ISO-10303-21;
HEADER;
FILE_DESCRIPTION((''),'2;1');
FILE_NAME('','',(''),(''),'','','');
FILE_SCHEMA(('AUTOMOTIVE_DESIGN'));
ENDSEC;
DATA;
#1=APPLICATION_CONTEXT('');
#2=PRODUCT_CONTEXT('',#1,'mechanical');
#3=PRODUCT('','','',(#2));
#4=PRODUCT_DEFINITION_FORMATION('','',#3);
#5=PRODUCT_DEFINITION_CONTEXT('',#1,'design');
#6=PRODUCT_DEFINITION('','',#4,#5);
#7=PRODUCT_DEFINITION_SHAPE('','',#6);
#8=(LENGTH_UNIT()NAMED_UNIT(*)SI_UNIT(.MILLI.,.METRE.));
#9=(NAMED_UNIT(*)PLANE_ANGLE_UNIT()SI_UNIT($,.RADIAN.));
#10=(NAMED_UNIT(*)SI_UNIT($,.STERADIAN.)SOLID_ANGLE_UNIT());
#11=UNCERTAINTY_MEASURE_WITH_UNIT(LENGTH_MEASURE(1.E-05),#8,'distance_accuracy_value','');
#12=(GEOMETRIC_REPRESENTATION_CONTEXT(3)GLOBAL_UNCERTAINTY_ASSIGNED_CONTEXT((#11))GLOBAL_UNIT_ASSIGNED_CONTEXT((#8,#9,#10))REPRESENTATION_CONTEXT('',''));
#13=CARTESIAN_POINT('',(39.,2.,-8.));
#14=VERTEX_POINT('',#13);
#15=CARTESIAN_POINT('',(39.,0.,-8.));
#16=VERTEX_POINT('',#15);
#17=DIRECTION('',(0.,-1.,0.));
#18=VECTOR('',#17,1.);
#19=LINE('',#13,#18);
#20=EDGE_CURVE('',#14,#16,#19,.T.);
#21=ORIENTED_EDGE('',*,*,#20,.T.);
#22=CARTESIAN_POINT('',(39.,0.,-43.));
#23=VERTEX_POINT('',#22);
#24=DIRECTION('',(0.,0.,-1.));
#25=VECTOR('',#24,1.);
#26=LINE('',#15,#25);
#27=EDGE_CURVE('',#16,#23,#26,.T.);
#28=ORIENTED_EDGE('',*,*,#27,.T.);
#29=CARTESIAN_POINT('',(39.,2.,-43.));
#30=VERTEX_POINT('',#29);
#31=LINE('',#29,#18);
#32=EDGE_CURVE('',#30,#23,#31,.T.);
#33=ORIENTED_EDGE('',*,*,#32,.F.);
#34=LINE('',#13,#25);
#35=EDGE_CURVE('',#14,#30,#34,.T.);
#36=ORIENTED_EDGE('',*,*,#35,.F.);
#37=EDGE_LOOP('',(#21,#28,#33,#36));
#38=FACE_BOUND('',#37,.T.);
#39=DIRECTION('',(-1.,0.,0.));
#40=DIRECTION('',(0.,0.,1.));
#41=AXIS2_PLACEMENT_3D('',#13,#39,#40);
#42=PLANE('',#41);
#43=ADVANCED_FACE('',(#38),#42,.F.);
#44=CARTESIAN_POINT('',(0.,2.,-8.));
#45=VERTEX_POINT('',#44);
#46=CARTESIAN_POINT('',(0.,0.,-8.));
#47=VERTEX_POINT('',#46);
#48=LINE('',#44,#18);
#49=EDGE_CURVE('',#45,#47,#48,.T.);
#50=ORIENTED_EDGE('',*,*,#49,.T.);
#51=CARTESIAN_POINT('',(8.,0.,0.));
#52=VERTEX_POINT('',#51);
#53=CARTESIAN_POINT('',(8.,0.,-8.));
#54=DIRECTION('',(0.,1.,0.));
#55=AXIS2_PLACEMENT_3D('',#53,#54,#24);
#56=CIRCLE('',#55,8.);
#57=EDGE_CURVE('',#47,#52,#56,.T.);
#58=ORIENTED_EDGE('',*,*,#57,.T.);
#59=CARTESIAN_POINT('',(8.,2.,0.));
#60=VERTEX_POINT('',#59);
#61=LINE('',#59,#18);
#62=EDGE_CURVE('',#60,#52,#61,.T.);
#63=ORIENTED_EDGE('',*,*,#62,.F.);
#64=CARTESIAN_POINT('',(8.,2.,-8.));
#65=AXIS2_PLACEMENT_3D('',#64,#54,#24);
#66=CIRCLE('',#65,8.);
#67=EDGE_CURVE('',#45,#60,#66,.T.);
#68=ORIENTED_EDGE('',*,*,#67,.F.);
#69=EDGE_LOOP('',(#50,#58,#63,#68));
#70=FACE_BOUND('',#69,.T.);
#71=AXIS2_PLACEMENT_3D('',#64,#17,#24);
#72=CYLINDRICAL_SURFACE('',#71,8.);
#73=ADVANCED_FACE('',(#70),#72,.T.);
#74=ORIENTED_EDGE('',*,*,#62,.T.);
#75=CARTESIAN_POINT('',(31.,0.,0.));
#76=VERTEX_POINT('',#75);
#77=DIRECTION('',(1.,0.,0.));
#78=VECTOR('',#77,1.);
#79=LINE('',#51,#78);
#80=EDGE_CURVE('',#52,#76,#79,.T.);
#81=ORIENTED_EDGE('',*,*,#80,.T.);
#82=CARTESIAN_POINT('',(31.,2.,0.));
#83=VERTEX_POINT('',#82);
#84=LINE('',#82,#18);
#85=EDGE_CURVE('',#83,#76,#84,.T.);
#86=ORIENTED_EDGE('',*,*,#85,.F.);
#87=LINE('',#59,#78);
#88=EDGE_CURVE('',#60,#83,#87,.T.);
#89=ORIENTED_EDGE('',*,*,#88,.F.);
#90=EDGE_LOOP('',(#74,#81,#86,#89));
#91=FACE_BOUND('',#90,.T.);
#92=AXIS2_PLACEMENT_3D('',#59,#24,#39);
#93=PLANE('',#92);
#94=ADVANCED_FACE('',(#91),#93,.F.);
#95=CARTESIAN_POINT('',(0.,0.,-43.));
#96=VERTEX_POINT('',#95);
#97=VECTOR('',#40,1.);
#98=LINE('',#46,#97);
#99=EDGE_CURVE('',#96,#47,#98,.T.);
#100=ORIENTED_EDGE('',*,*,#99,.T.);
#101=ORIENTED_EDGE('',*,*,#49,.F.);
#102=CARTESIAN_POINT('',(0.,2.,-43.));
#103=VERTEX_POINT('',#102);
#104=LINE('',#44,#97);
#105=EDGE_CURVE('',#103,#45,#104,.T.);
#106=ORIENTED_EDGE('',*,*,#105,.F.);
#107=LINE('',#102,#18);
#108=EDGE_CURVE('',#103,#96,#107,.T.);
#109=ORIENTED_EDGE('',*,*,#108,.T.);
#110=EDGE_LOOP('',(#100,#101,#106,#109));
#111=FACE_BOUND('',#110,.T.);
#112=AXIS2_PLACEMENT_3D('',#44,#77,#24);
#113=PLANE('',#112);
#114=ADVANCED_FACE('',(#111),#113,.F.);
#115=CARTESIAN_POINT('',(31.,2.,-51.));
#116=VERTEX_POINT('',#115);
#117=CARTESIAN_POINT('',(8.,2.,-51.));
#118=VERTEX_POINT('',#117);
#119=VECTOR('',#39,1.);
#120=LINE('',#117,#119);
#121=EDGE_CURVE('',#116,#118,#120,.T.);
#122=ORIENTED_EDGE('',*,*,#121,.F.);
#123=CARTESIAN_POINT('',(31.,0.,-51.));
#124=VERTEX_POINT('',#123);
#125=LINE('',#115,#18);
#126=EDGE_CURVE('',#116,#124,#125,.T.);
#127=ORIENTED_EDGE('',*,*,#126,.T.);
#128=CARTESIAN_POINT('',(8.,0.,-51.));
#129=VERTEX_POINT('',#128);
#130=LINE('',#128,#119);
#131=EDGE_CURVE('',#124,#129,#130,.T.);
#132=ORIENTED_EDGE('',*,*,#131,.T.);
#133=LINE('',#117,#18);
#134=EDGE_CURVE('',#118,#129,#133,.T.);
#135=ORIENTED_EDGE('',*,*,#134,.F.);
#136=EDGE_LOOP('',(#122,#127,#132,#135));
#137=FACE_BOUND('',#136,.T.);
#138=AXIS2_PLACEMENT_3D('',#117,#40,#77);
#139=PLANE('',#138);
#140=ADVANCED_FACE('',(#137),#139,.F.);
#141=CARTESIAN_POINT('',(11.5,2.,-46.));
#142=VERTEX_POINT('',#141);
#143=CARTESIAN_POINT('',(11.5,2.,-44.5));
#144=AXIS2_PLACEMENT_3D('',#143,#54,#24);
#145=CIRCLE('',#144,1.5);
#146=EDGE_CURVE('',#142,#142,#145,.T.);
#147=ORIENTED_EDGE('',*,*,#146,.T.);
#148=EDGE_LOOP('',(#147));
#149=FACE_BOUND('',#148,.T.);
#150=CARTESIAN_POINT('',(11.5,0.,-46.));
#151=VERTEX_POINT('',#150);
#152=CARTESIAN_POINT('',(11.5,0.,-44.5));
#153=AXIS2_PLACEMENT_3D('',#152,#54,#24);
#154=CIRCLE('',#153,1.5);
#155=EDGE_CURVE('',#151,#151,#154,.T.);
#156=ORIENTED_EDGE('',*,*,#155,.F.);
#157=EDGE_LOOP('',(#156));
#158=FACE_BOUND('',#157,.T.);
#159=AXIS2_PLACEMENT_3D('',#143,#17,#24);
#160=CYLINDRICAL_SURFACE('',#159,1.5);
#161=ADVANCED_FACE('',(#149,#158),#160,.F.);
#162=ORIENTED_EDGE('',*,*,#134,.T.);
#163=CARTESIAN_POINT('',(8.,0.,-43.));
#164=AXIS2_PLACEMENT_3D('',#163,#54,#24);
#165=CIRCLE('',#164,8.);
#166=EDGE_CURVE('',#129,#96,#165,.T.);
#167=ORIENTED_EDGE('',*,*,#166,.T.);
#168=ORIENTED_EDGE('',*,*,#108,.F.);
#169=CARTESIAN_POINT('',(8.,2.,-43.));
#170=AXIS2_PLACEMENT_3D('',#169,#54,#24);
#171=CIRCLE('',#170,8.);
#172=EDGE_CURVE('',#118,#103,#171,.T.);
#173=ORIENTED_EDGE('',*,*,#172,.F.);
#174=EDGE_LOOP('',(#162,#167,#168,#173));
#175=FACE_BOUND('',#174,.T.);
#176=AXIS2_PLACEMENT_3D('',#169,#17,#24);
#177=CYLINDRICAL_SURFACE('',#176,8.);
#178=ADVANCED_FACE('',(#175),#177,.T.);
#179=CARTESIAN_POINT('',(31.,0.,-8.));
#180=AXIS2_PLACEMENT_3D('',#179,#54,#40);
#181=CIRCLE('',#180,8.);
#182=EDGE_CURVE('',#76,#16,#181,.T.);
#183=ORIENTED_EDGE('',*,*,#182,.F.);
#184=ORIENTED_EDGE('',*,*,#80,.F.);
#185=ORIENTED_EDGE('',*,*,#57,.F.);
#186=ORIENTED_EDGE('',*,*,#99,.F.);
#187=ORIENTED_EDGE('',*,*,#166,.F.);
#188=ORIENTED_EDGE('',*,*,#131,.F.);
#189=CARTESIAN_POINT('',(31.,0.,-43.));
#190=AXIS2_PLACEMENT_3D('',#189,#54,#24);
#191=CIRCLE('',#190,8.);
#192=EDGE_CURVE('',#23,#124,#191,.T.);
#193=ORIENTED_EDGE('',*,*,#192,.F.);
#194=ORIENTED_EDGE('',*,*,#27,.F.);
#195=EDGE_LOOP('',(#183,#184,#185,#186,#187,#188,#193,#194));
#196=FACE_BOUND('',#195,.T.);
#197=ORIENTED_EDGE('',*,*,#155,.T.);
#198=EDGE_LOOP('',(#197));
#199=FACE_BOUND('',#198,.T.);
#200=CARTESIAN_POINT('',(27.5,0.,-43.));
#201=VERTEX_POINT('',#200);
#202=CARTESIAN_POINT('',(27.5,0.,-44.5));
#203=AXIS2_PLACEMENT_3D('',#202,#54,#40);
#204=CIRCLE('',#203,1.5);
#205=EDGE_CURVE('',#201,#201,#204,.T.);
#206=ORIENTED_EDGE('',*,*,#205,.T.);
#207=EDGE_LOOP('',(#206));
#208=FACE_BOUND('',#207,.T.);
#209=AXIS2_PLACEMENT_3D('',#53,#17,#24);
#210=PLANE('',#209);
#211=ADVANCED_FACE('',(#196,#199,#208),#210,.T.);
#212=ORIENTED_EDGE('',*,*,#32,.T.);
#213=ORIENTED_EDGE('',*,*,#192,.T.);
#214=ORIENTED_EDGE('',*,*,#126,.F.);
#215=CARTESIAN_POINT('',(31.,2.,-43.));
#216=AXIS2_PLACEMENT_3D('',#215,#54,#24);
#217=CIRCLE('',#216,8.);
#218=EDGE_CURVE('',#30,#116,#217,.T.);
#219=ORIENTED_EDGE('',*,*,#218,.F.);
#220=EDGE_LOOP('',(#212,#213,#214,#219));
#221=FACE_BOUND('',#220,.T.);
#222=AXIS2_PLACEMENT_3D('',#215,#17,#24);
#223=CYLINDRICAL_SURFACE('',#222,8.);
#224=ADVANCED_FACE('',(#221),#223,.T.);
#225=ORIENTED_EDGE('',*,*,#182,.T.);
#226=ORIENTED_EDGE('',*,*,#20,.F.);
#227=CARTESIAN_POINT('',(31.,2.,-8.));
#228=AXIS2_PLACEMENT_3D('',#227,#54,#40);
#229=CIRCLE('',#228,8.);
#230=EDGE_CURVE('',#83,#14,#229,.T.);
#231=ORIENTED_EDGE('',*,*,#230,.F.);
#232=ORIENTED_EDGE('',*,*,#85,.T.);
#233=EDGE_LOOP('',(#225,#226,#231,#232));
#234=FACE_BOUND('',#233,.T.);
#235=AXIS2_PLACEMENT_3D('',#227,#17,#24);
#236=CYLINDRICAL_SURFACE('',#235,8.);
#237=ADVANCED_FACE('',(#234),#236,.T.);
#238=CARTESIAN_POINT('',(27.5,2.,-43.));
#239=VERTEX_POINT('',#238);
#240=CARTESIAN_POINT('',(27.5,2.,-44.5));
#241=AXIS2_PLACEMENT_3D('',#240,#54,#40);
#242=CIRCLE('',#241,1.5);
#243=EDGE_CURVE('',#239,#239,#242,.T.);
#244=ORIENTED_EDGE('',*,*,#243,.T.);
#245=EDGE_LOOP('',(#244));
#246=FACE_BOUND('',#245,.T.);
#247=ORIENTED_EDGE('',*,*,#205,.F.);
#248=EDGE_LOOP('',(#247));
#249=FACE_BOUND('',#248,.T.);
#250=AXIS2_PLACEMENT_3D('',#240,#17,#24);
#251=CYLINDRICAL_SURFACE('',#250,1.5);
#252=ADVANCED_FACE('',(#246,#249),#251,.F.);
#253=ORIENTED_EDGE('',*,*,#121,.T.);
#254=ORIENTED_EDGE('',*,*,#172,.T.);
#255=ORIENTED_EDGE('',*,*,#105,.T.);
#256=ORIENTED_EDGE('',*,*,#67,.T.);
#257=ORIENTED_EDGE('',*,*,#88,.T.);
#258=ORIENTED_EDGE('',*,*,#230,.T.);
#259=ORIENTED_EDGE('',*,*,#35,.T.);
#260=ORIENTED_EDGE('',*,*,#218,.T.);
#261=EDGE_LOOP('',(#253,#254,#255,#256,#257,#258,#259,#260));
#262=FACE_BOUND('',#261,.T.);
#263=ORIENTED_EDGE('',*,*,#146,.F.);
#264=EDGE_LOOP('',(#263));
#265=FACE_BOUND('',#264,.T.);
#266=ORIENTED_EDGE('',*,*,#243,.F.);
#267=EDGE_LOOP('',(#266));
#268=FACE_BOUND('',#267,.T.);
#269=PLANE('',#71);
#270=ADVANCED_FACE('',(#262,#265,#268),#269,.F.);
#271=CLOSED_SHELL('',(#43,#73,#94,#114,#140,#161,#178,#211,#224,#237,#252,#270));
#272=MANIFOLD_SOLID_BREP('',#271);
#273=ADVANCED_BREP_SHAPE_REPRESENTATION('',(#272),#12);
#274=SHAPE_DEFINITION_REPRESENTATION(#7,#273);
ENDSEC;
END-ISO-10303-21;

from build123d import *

# Parameters (mm, degrees)
SKETCH1_R           = 1.5
BOSS_EXTRUDE1_DEPTH = 2


with BuildPart() as part:
    # Sketch1 → Boss-Extrude1 (new body)
    with BuildSketch(Plane(origin=(0, 0, 0), x_dir=(1, 0, 0), z_dir=(0, 1, 0))):
        with BuildLine():
            Line((8, 0), (31, 0))
            ThreePointArc((31, 0), (36.656854249, 2.343145751), (39, 8))
            Line((39, 8), (39, 43))
            ThreePointArc((39, 43), (36.656854249, 48.656854249), (31, 51))
            Line((31, 51), (8, 51))
            ThreePointArc((8, 51), (2.343145751, 48.656854249), (0, 43))
            Line((0, 43), (0, 8))
            ThreePointArc((0, 8), (2.343145751, 2.343145751), (8, 0))
        make_face()
        with Locations(Location((27.5, 44.5, 0), (0, 0, 270))):
            Circle(SKETCH1_R, mode=Mode.SUBTRACT)
        with Locations(Location((11.5, 44.5, 0), (0, 0, 90))):
            Circle(SKETCH1_R, mode=Mode.SUBTRACT)
    extrude(amount=BOSS_EXTRUDE1_DEPTH)


solid = part.part
